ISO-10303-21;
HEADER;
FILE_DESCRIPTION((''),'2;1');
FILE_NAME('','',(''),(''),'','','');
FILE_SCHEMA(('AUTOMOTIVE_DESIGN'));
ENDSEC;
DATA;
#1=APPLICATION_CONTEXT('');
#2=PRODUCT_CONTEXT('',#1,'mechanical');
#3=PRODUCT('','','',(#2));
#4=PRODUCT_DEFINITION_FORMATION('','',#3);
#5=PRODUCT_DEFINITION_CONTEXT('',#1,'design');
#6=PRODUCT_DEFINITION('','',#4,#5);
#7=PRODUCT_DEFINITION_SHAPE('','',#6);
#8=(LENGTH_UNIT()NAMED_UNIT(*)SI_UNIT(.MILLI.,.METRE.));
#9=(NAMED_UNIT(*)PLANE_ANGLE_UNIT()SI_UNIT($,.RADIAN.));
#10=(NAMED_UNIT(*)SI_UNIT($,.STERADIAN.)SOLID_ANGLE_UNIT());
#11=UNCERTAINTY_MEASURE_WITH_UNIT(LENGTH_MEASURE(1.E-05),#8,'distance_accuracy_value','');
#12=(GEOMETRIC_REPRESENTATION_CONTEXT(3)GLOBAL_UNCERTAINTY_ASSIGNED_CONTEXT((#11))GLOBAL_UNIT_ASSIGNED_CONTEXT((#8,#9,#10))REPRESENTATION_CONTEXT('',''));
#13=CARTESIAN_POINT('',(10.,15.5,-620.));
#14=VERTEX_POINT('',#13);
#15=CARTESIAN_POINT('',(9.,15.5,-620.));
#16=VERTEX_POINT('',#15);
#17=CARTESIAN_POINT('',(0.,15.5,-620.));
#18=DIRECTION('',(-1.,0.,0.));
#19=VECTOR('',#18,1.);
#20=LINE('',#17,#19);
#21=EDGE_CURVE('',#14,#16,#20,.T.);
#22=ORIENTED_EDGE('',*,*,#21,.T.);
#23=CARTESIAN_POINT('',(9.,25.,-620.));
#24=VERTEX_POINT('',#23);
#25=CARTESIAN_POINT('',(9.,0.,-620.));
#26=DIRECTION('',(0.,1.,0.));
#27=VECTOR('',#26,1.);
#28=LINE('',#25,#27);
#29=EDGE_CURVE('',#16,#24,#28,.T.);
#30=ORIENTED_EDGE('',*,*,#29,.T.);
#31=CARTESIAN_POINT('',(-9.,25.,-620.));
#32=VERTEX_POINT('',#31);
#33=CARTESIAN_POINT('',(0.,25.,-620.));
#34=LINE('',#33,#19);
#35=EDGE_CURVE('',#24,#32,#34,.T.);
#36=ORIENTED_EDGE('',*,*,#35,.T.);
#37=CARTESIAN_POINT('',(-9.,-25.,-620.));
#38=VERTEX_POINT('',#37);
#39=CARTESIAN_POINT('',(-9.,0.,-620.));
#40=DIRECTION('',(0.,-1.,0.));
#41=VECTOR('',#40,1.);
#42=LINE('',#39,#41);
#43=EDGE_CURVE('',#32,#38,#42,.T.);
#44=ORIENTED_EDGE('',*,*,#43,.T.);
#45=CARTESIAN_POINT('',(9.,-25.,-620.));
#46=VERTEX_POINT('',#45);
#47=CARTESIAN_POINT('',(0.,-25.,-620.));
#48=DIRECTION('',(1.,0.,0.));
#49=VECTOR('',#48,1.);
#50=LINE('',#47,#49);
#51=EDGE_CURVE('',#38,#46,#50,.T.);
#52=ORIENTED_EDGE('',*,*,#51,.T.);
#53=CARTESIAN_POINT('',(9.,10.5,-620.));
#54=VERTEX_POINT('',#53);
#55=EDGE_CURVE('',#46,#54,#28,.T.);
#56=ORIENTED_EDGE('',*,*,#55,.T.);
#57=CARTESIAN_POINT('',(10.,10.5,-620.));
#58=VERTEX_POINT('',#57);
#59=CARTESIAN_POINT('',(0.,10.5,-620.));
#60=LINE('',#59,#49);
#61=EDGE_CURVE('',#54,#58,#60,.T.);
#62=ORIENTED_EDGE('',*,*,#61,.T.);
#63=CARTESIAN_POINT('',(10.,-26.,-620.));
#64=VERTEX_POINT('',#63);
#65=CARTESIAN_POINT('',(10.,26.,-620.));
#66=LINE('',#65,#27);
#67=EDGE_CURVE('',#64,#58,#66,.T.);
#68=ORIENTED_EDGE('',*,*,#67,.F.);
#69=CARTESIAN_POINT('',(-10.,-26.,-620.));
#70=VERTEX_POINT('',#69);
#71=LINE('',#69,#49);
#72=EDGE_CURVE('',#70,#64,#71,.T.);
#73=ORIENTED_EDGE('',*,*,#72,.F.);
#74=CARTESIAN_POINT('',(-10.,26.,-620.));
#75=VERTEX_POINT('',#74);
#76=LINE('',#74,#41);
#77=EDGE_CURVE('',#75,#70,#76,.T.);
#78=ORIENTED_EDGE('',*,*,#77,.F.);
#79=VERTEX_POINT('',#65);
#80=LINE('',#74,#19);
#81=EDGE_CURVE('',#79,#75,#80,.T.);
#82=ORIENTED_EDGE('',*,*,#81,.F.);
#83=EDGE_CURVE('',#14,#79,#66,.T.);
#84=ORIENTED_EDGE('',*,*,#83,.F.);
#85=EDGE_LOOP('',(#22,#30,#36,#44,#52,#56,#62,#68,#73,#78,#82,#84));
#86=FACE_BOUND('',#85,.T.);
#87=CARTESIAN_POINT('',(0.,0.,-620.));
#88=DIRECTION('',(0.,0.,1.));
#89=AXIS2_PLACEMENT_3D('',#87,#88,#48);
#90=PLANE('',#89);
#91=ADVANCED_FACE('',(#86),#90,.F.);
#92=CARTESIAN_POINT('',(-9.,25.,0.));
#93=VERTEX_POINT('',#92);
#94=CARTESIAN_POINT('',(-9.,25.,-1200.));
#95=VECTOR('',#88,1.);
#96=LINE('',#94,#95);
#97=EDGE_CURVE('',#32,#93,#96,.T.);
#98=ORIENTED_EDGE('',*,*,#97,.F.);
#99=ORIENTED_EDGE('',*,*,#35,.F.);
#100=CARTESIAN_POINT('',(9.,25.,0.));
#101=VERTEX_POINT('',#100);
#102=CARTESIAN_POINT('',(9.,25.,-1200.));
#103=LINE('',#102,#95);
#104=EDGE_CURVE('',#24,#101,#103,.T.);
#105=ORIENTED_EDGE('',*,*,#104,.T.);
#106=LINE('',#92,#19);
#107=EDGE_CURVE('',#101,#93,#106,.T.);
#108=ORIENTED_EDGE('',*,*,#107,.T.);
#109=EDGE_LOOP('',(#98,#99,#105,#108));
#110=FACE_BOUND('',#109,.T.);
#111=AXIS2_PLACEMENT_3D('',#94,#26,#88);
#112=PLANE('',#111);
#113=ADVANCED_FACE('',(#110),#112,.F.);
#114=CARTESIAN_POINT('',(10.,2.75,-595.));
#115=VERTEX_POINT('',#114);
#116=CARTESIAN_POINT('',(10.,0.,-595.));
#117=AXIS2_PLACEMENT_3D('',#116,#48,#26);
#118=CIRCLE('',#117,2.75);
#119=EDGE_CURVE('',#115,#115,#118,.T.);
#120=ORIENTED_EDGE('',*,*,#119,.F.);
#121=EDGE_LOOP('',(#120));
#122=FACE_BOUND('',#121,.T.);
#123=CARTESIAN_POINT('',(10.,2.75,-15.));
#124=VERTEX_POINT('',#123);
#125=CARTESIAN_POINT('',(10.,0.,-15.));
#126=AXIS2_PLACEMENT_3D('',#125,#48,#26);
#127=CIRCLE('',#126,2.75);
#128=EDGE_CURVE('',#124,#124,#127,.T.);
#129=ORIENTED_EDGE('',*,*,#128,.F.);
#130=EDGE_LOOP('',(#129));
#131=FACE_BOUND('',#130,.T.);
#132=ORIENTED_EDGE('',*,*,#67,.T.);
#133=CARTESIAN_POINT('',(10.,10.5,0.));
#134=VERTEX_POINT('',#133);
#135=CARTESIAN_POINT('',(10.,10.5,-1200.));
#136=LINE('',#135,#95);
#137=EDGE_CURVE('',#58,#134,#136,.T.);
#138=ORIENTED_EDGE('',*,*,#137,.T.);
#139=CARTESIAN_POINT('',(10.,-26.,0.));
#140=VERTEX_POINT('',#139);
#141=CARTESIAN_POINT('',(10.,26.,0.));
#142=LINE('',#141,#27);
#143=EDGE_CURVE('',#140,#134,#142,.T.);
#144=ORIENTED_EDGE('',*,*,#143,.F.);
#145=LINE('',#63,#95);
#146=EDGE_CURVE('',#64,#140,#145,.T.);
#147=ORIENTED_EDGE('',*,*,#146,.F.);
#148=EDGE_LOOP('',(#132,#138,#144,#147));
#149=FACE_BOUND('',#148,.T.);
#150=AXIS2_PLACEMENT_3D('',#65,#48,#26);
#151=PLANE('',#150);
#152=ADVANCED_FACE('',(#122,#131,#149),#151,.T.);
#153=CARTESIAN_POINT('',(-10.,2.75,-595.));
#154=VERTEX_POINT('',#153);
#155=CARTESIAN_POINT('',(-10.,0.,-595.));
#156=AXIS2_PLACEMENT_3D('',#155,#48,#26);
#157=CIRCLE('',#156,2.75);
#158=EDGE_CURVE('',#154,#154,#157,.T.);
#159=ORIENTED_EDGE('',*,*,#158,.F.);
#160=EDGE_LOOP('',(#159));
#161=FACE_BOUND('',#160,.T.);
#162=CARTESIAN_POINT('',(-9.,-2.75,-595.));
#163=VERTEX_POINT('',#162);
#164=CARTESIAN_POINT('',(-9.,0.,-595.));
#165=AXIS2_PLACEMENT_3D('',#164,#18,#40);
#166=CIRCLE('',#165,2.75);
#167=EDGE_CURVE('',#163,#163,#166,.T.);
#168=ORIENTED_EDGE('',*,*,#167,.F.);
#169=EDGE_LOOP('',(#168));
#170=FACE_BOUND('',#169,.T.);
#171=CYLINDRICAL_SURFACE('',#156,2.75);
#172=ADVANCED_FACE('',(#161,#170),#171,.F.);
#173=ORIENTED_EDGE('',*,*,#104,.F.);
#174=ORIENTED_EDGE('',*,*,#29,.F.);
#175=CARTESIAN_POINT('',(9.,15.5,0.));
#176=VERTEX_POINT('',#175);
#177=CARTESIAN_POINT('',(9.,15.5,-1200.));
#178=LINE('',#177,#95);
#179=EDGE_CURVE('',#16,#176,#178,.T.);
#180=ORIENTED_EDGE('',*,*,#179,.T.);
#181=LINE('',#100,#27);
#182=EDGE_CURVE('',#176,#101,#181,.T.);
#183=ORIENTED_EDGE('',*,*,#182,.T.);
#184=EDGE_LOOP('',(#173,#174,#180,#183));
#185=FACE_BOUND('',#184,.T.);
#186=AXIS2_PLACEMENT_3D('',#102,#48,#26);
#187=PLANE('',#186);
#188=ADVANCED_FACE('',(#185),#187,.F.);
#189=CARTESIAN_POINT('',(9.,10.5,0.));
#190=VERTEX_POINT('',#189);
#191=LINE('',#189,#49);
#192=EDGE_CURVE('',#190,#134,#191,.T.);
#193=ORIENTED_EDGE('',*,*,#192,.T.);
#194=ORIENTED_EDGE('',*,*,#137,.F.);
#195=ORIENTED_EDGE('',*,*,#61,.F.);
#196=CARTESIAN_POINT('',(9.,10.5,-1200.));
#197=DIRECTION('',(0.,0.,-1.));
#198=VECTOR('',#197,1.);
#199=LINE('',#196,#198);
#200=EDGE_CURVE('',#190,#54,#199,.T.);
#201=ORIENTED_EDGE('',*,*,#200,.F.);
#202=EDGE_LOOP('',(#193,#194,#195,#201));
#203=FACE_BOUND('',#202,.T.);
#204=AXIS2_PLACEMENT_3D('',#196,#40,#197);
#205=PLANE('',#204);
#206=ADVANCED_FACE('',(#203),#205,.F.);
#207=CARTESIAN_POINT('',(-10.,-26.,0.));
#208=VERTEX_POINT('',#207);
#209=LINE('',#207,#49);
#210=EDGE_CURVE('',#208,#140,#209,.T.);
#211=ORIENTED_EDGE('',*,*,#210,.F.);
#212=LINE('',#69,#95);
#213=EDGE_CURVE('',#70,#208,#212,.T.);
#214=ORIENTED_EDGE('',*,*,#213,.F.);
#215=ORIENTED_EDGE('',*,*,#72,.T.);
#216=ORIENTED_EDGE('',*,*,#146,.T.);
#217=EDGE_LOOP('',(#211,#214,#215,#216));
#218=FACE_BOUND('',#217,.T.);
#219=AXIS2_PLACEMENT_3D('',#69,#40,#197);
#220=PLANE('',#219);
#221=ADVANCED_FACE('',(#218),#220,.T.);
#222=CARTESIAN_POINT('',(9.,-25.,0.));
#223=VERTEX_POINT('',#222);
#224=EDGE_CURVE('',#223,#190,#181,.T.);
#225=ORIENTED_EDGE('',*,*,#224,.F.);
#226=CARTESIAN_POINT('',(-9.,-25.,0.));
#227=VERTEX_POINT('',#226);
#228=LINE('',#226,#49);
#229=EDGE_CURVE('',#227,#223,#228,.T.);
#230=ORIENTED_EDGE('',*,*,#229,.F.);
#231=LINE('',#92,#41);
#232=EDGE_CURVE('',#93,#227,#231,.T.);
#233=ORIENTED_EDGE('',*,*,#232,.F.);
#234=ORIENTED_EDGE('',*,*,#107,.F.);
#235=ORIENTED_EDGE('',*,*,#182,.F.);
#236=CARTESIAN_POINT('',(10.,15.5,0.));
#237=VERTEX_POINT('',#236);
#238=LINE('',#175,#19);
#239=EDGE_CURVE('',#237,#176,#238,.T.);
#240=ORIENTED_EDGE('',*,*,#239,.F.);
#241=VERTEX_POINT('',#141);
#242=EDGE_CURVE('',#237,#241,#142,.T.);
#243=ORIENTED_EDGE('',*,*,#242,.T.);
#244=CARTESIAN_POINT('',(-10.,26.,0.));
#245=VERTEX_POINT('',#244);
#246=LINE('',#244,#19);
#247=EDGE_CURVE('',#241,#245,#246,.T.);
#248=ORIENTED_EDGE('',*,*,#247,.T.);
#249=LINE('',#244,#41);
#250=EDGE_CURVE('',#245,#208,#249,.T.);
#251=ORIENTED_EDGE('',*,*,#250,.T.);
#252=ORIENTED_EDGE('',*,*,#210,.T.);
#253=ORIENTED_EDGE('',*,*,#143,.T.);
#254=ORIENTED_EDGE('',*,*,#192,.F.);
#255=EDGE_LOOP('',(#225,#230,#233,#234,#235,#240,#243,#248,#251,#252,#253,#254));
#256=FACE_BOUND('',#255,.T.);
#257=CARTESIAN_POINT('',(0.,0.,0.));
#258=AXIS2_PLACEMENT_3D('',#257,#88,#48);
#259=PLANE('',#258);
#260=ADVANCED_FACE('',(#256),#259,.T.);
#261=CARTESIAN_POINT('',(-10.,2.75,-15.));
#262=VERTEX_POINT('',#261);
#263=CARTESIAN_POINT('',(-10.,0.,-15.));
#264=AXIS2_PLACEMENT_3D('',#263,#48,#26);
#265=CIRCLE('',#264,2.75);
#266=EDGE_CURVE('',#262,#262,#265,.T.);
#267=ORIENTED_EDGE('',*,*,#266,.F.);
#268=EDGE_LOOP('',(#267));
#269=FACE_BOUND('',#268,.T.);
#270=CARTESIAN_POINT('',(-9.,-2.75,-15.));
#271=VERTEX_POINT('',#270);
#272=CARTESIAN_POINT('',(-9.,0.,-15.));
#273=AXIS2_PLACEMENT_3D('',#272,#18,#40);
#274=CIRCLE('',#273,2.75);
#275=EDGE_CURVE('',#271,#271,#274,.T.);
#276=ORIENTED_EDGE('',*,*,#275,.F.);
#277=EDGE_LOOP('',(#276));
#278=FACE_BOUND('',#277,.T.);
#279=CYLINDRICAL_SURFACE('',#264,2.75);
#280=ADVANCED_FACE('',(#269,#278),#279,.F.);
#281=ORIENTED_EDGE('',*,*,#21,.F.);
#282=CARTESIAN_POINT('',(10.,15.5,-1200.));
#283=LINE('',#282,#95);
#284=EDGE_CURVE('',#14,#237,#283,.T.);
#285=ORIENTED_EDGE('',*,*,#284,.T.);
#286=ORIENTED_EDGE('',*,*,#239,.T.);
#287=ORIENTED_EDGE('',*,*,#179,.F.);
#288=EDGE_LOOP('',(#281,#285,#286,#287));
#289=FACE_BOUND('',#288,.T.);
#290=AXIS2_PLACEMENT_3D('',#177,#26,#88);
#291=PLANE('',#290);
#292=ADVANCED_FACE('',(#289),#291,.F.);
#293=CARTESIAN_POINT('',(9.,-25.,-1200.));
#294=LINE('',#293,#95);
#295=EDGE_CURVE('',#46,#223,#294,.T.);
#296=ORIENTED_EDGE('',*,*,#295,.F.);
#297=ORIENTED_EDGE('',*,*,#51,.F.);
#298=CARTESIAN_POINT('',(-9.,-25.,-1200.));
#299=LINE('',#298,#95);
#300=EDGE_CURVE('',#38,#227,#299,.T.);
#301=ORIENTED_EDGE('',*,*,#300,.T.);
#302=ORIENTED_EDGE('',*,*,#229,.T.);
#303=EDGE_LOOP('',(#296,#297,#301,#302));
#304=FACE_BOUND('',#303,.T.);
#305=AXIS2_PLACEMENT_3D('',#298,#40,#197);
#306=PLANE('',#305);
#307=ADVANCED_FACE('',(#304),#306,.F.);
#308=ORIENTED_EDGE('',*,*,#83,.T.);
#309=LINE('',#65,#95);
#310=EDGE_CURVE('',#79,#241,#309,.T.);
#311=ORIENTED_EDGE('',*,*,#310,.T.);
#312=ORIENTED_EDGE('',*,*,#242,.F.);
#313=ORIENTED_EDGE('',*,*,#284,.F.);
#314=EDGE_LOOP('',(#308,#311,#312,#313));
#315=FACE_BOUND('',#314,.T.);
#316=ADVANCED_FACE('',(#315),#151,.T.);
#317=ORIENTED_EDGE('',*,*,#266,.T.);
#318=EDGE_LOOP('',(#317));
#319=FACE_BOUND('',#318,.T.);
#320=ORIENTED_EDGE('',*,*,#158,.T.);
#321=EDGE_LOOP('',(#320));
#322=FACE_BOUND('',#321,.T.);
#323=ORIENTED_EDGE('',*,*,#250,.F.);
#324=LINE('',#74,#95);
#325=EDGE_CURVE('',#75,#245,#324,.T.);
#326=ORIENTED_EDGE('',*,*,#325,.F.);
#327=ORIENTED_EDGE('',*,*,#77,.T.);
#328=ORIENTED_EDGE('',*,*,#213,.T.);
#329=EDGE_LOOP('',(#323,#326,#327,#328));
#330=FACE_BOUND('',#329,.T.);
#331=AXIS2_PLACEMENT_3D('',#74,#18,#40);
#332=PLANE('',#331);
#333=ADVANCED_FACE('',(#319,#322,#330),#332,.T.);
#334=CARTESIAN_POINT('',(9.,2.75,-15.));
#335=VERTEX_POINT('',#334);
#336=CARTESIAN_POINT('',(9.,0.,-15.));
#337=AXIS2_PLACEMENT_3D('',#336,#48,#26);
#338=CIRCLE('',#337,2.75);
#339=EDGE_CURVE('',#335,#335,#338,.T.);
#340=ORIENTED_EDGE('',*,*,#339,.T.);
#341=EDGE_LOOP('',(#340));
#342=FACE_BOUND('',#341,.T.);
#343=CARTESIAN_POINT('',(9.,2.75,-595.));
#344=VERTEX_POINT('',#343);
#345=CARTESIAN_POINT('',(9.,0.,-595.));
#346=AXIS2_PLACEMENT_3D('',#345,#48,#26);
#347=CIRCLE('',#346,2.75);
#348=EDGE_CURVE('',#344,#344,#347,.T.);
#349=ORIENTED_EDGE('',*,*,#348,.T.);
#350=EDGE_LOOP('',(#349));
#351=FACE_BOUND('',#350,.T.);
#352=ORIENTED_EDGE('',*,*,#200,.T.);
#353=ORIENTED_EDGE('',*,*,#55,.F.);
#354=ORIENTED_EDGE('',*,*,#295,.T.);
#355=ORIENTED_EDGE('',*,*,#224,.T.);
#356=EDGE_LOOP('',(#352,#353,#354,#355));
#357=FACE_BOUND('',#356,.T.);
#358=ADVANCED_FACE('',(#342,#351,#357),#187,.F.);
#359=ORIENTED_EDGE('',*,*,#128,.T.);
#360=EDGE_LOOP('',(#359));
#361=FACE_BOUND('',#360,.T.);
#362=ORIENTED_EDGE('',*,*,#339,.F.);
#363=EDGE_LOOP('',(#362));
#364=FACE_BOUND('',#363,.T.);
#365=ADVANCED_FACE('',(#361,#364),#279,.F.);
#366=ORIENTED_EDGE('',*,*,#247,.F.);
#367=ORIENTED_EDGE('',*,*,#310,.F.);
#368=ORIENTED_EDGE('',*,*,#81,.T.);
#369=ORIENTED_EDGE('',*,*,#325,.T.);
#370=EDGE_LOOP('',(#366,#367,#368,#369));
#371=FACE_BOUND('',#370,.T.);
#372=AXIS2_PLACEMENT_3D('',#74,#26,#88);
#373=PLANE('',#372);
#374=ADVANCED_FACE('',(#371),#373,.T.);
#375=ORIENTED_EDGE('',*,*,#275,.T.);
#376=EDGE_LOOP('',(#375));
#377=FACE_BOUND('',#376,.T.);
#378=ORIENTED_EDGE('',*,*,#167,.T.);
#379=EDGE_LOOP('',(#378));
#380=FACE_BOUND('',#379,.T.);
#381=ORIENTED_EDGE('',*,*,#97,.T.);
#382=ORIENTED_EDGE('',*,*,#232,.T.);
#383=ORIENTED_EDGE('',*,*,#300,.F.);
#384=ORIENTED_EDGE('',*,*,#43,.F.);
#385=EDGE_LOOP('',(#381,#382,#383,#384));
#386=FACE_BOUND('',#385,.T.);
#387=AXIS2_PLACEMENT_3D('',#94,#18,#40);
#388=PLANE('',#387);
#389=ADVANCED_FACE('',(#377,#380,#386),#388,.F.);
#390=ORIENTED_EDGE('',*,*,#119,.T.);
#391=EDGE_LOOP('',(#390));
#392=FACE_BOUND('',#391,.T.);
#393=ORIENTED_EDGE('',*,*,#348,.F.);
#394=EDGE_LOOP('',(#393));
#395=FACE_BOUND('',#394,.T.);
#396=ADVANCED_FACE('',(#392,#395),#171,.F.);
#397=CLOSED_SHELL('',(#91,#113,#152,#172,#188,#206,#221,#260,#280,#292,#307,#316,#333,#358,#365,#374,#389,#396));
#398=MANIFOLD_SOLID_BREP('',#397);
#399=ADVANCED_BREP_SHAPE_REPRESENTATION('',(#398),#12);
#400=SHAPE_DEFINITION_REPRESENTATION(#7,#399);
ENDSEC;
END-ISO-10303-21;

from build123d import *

# Parameters (mm, degrees)
SKETCH1_W           = 20
SKETCH1_H           = 52
BOSS_EXTRUDE1_DEPTH = 620
SKETCH2_W           = 18
SKETCH2_H           = 50
CUT_EXTRUDE1_DEPTH  = 1200
SKETCH4_R           = 2.75
CUT_EXTRUDE2_DEPTH  = 20
SKETCH5_W           = 1
SKETCH5_H           = 5
CUT_EXTRUDE3_DEPTH  = 1200
SKETCH6_R           = 2.75
CUT_EXTRUDE4_DEPTH  = 20


with BuildPart() as part:
    # Sketch1 → Boss-Extrude1 (new body)
    with BuildSketch(Plane.XY):
        Rectangle(SKETCH1_W, SKETCH1_H)
    extrude(amount=-BOSS_EXTRUDE1_DEPTH)

    # Sketch2 → Cut-Extrude1 (cut)
    with BuildSketch(Plane.XY):
        Rectangle(SKETCH2_W, SKETCH2_H)
    extrude(amount=-CUT_EXTRUDE1_DEPTH, mode=Mode.SUBTRACT)

    # Sketch4 → Cut-Extrude2 (cut)
    with BuildSketch(Plane(origin=(10, 0, 0), x_dir=(0, 0, -1), z_dir=(1, 0, 0))):
        with Locations(Location((15, 0, 0), (0, 0, 90))):
            Circle(SKETCH4_R)
    extrude(amount=-CUT_EXTRUDE2_DEPTH, mode=Mode.SUBTRACT)

    # Sketch5 → Cut-Extrude3 (cut)
    with BuildSketch(Plane.XY):
        with Locations((9.5, 13)):
            Rectangle(SKETCH5_W, SKETCH5_H)
    extrude(amount=-CUT_EXTRUDE3_DEPTH, mode=Mode.SUBTRACT)

    # Sketch6 → Cut-Extrude4 (cut)
    with BuildSketch(Plane(origin=(10, 0, 0), x_dir=(0, 0, -1), z_dir=(1, 0, 0))):
        with Locations(Location((595, 0, 0), (0, 0, 90))):
            Circle(SKETCH6_R)
    extrude(amount=-CUT_EXTRUDE4_DEPTH, mode=Mode.SUBTRACT)


solid = part.part
